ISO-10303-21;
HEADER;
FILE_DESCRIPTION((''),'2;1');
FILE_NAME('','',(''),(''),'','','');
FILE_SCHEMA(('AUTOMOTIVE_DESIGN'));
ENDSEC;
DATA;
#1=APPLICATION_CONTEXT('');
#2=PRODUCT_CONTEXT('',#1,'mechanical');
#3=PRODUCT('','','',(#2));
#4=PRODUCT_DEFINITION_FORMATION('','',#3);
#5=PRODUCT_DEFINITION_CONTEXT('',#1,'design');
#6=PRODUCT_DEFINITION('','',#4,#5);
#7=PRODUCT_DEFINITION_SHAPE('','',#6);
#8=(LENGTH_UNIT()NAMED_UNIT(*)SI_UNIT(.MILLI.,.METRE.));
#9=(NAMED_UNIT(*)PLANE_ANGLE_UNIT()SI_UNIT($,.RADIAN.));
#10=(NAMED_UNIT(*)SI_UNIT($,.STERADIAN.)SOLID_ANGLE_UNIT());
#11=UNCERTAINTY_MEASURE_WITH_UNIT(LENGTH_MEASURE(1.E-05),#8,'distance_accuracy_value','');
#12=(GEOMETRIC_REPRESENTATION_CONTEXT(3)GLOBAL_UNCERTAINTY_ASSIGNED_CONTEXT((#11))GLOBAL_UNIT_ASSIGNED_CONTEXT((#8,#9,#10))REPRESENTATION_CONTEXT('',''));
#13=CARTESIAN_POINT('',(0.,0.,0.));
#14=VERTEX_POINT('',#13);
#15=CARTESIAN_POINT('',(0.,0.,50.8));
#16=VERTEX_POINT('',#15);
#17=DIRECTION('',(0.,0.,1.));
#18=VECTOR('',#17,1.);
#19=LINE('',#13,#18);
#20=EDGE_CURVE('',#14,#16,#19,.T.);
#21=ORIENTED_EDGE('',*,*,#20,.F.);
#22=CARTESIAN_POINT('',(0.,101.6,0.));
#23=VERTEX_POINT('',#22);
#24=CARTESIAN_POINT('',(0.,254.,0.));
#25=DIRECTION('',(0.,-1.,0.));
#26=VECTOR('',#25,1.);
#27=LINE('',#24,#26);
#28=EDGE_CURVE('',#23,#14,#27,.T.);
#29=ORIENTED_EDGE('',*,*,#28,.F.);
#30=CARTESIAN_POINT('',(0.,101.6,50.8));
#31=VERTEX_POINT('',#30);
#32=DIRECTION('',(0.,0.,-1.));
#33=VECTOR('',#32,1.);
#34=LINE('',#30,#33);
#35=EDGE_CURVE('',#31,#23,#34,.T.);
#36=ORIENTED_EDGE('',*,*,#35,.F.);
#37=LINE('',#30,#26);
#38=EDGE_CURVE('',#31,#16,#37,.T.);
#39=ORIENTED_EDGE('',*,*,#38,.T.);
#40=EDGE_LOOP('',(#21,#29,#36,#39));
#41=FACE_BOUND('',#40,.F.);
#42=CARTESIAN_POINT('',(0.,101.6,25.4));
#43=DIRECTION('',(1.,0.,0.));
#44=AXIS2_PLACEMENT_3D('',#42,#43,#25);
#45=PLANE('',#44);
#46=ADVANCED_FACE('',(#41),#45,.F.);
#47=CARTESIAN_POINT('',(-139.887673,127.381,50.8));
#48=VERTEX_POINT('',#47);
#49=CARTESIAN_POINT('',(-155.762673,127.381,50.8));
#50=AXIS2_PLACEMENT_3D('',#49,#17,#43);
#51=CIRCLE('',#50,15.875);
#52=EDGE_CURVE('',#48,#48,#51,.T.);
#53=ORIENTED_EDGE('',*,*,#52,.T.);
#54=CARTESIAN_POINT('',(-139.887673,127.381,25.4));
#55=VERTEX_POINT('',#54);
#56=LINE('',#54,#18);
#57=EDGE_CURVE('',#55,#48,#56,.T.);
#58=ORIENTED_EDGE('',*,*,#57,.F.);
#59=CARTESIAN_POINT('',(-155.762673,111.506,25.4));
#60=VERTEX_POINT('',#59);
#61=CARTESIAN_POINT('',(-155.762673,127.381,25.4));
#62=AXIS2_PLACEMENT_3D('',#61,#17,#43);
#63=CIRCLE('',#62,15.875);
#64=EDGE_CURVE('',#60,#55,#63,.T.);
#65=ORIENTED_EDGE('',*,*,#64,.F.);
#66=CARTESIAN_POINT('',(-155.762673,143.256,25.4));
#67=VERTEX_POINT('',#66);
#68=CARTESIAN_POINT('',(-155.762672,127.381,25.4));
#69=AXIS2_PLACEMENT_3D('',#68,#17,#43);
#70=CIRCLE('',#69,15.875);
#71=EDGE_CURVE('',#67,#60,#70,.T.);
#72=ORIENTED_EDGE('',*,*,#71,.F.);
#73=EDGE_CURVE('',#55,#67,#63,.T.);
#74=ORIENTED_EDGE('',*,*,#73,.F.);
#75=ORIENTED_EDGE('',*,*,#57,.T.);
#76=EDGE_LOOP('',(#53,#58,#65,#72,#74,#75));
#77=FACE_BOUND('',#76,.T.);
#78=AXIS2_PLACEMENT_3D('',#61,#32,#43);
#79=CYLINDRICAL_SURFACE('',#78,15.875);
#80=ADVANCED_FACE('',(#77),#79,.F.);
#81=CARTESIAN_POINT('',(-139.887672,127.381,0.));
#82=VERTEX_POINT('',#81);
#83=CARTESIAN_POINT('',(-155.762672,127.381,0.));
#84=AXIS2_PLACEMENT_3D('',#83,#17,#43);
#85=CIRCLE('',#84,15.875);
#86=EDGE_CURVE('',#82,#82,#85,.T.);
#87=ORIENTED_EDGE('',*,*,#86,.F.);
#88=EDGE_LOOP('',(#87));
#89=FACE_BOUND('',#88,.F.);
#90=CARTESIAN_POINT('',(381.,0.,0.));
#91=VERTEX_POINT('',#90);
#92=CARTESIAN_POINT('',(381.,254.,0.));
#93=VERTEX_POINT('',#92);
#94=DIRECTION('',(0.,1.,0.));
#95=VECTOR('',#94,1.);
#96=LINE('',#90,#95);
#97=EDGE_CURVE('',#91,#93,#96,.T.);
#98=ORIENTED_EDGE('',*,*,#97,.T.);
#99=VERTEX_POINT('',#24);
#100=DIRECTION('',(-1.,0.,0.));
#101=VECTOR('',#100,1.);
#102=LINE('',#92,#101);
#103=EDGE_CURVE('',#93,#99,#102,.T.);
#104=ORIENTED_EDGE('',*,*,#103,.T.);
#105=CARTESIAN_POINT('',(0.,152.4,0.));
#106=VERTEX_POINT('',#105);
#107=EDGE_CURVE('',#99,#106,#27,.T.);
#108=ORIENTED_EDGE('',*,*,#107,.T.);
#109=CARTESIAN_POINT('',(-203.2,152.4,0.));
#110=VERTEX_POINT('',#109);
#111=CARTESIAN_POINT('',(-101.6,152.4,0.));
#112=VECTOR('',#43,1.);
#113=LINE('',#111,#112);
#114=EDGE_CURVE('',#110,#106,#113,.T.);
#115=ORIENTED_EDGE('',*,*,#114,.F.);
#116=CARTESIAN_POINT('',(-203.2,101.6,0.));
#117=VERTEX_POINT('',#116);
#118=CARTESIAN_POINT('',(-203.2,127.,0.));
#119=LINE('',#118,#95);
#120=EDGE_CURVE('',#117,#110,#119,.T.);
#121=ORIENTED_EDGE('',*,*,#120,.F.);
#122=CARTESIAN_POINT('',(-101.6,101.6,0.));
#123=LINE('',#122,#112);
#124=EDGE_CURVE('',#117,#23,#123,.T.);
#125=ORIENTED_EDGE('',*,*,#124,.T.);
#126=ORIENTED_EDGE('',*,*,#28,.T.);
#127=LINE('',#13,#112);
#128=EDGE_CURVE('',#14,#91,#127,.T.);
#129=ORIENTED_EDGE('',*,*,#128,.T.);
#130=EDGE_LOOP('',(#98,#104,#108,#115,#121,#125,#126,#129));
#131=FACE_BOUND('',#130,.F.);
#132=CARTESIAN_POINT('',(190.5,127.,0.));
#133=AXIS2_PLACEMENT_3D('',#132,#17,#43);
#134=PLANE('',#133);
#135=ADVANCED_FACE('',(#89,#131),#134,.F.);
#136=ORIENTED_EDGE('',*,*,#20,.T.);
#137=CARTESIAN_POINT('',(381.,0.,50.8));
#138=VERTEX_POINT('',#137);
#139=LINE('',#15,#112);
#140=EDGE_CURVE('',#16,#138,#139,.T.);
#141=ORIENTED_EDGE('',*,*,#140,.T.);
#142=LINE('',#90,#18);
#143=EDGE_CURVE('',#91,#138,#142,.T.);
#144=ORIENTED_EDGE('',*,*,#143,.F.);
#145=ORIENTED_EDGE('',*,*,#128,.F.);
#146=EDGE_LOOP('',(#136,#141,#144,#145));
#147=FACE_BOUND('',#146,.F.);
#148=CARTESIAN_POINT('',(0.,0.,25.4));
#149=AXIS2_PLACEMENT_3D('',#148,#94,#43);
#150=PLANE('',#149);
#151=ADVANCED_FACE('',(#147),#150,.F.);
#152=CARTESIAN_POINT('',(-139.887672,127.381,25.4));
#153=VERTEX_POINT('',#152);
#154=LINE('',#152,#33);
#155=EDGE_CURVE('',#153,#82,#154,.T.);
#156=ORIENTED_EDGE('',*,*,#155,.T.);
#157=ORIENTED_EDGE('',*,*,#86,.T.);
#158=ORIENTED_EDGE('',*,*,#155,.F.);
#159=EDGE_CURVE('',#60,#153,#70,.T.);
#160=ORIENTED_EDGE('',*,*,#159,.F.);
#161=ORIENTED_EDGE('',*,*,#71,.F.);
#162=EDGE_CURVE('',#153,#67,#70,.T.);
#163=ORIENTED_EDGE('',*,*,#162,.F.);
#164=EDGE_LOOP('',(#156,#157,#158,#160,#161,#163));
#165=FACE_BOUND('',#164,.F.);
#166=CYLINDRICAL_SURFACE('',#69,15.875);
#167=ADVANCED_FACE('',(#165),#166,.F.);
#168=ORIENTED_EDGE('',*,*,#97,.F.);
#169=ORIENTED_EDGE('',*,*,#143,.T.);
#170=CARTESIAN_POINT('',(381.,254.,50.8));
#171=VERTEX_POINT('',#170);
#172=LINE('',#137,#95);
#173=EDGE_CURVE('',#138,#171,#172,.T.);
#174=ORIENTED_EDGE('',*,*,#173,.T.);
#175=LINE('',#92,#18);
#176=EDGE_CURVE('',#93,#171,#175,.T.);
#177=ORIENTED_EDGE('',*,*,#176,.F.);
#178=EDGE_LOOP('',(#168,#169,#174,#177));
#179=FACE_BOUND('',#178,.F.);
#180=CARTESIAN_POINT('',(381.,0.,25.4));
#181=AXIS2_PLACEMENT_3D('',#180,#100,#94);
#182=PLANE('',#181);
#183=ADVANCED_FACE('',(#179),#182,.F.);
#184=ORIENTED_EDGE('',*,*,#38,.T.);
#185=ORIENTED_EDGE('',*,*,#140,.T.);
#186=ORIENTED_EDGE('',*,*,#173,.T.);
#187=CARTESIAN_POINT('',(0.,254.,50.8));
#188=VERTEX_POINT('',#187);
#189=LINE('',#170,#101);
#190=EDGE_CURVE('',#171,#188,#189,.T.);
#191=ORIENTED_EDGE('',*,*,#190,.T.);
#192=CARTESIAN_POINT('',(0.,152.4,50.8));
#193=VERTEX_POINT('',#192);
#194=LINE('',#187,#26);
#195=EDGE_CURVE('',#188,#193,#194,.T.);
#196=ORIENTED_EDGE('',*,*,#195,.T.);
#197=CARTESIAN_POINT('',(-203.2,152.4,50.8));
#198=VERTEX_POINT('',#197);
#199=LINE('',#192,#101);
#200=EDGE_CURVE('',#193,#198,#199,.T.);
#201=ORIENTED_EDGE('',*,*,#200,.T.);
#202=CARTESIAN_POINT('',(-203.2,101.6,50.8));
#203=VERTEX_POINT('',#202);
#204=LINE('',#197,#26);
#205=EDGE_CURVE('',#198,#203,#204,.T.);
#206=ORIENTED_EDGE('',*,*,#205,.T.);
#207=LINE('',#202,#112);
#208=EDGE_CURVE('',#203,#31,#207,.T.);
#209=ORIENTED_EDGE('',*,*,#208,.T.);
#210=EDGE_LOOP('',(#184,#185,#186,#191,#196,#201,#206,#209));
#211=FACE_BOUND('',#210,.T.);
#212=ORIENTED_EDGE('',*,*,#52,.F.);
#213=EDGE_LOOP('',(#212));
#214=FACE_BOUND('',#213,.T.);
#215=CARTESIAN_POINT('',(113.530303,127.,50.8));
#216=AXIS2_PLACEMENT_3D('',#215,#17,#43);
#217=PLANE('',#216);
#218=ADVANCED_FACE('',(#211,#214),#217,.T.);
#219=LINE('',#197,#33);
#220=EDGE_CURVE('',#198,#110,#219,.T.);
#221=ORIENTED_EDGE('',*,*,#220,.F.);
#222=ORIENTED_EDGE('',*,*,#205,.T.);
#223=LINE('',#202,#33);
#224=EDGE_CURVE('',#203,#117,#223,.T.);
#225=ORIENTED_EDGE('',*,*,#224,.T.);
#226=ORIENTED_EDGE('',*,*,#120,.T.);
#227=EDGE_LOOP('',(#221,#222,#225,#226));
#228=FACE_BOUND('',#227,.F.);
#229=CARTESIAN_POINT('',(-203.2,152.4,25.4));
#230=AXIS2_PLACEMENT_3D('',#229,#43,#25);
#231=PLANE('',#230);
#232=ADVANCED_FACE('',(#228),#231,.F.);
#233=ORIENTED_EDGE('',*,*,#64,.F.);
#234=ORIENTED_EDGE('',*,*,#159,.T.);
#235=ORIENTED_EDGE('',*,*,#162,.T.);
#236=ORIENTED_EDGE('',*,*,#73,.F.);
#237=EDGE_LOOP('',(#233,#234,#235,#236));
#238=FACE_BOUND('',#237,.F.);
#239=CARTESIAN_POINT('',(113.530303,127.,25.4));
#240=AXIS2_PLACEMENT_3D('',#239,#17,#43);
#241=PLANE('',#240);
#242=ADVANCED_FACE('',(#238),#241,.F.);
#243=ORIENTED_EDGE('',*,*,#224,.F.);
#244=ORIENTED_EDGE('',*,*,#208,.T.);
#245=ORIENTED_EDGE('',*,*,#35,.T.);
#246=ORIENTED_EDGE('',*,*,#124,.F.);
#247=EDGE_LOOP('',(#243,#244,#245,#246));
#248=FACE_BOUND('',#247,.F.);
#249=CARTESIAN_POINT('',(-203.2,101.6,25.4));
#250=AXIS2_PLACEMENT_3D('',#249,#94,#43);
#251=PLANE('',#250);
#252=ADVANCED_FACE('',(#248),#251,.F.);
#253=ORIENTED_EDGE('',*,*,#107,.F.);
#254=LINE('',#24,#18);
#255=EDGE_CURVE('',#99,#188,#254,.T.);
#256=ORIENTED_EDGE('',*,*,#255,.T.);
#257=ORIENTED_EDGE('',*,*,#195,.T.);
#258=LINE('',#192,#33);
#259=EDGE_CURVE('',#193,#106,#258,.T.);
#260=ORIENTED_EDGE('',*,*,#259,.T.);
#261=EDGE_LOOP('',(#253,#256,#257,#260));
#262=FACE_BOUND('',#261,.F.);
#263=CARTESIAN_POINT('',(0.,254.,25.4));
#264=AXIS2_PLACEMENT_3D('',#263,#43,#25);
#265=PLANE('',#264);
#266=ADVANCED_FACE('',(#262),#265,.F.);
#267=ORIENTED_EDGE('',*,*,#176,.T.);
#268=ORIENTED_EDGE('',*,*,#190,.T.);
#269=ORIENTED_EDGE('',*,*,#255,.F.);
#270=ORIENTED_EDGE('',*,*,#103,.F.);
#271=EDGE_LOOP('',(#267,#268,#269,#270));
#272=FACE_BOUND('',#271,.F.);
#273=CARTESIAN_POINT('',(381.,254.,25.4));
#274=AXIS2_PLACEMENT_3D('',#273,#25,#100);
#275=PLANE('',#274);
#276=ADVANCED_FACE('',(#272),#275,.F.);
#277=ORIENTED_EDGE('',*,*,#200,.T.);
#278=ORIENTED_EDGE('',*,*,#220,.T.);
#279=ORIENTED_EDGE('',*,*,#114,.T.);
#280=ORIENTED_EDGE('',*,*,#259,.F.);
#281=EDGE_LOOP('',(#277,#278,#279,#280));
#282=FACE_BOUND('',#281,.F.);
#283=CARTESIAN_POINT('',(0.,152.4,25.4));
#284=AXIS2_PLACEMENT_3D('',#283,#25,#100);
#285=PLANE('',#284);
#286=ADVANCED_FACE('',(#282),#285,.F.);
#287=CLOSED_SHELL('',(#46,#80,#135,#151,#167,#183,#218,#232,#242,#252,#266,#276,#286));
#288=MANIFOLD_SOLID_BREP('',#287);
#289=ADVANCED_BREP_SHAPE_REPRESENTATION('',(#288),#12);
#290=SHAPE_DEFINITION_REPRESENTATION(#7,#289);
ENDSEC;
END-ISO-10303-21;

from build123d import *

# Parameters (mm, degrees)
F0_W      = 203.2
F0_H      = 50.8
F1_DEPTH  = 25.4
F2_R      = 15.875
F3_DEPTH  = 25.4
F1_FACE_R = 15.875
F4_DEPTH  = 25.4


with BuildPart() as f1:
    # F0 (on Top) → F1 (new body)
    with BuildSketch(Plane.XY):
        Polygon((0, 101.6), (0, 0), (381, 0), (381, 254), (0, 254), (0, 152.4), align=None)
        with Locations((-101.6, 127)):
            Rectangle(F0_W, F0_H)
    extrude(amount=F1_DEPTH)

    # F2 (on face) → F3 (cut)
    with BuildSketch(Plane.XY.offset(25.4)):
        with Locations((-155.762672, 127.381)):
            Circle(F2_R)
    extrude(amount=-F3_DEPTH, mode=Mode.SUBTRACT)

    # F1_face (on face) → F4 (join)
    with BuildSketch(Plane(origin=(162.345783, 127, 25.4), x_dir=(1, 0, 0), z_dir=(0, 0, 1))):
        Polygon((-162.345783, -25.4), (-162.345783, -127), (218.654217, -127), (218.654217, 127), (-162.345783, 127), (-162.345783, 25.4), (-365.545783, 25.4), (-365.545783, -25.4), align=None)
        with Locations((-318.108456, 0.381)):
            Circle(F1_FACE_R, mode=Mode.SUBTRACT)
    extrude(amount=F4_DEPTH)


solid = f1.part
